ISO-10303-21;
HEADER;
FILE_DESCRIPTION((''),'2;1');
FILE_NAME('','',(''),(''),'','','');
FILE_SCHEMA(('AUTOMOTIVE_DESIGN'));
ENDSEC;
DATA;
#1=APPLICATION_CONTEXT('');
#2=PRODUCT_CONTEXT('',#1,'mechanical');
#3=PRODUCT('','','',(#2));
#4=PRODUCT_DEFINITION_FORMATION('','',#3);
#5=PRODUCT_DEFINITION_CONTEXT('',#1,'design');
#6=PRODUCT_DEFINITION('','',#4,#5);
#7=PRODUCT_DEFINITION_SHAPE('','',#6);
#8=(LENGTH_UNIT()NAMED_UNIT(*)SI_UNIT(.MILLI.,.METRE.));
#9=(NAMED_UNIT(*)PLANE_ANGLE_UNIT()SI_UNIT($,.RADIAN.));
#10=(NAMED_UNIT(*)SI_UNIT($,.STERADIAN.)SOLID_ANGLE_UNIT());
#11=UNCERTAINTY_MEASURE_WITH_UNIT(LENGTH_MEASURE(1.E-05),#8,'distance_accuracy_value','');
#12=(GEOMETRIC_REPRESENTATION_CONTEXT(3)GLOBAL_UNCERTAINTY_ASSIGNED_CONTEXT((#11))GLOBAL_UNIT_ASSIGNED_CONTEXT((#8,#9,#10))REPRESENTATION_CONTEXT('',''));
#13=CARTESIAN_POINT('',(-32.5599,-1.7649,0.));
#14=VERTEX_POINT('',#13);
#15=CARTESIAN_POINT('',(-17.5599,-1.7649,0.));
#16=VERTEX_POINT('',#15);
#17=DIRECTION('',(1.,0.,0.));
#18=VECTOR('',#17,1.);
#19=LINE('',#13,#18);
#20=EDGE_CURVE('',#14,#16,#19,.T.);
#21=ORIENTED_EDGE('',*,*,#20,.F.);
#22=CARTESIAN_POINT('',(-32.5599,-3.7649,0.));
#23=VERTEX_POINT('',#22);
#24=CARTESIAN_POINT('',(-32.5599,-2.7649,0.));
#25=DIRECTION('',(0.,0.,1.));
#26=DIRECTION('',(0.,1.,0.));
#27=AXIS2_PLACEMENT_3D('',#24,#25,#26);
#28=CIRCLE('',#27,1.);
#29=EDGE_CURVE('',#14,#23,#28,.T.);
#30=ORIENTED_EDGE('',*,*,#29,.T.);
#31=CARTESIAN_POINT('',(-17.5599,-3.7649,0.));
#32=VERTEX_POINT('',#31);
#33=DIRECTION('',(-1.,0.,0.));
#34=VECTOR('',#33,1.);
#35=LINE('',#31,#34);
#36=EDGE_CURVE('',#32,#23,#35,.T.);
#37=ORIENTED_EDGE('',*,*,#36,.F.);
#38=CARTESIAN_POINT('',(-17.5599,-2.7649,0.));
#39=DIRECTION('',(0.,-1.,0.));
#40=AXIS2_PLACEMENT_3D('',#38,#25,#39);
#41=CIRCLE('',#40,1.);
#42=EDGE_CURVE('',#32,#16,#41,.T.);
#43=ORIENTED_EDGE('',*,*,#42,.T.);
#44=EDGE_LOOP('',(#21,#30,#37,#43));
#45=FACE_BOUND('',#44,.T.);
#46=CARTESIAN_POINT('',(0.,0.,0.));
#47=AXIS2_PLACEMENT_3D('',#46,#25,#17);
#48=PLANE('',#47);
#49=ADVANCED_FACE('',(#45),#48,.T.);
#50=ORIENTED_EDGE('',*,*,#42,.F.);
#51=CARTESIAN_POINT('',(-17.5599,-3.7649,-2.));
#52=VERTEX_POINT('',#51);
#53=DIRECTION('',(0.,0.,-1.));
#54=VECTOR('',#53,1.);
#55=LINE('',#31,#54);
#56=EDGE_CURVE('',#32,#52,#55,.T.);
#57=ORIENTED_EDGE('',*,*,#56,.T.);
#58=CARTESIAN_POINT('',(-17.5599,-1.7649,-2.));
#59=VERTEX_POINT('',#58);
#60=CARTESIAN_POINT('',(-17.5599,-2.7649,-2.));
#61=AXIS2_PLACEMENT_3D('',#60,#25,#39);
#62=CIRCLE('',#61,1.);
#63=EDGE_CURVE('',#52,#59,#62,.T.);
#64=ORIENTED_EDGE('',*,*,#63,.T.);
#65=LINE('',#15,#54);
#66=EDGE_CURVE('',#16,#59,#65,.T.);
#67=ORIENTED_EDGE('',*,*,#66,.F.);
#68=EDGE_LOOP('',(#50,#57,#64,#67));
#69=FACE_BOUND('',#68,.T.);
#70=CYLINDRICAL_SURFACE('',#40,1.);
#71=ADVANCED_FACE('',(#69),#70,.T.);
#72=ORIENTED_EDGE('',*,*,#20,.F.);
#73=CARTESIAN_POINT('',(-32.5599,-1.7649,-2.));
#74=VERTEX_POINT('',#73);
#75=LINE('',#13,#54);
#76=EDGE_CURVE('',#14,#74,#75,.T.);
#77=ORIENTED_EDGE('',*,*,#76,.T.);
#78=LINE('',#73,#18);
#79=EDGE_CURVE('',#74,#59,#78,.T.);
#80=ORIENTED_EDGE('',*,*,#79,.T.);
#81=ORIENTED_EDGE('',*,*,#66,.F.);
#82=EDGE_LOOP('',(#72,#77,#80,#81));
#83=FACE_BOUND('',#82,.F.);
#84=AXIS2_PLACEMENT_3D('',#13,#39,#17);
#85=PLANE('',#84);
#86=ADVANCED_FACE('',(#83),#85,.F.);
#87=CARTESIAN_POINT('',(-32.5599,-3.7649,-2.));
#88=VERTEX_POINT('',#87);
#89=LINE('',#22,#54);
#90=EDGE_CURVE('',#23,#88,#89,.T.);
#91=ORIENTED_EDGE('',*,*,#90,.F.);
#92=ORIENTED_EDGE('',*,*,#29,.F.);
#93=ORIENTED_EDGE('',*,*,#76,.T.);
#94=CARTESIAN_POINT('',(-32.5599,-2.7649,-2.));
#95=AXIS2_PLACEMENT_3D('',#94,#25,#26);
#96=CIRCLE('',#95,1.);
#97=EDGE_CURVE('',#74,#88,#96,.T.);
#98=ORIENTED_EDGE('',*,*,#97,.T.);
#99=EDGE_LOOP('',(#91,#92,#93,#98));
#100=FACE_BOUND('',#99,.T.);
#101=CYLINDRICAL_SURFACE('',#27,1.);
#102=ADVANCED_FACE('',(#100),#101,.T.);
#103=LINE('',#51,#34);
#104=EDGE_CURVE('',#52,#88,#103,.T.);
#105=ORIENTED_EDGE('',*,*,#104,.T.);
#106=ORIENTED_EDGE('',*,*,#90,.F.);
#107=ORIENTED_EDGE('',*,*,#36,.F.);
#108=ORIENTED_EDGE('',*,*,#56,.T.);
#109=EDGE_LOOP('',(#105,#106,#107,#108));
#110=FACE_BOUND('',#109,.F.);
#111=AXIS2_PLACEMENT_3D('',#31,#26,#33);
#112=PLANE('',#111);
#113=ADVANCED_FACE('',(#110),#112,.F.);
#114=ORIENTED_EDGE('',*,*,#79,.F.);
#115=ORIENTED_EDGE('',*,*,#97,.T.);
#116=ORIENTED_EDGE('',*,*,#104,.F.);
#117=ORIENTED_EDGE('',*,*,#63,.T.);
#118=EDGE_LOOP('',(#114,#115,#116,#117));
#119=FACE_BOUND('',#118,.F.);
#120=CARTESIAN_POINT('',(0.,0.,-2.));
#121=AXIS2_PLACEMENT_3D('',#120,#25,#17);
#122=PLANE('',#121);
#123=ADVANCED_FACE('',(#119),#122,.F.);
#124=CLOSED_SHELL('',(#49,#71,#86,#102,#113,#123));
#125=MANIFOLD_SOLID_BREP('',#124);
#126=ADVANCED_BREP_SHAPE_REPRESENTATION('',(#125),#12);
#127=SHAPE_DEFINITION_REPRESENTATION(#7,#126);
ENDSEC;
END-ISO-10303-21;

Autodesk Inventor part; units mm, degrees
ref_plane "YZ Plane" through (0, 0, 0) normal (1, 0, 0) x (0, 1, 0)
ref_plane "XZ Plane" through (0, 0, 0) normal (0, 1, 0) x (-1, 0, 0)
ref_plane "XY Plane" through (0, 0, 0) normal (0, 0, 1) x (1, 0, 0)
sketch "Náčrt4" plane through (0, 0, 0) normal (0, 0, 1) x (1, 0, 0)
  line L0 (-32.5599, -1.7649) -> (-17.5599, -1.7649) construction
  line L1 (-17.5599, -3.7649) -> (-32.5599, -3.7649) construction
  line L2 (-50.5599, -1.7649) -> (-35.5599, -1.7649) construction
  line L3 (-35.5599, -3.7649) -> (-50.5599, -3.7649) construction
  line L4 (-68.5599, -1.7649) -> (-53.5599, -1.7649) construction
  line L5 (-53.5599, -3.7649) -> (-68.5599, -3.7649) construction
  line L6 (-68.5599, 11.7351) -> (-9.4199, 11.7351) construction
  arc A0 (-68.5599, 11.7351) -> (-77.8599, 2.4351) centre (-68.5599, 2.4351) ccw construction
  line L7 (-77.8599, -87.5649) -> (-77.8599, 2.4351) construction
  arc A1 (-77.8599, -87.5649) -> (-68.5599, -96.8649) centre (-68.5599, -87.5649) ccw construction
  line L8 (-6.5599, -96.8649) -> (-68.5599, -96.8649) construction
  line L9 (-6.5599, -96.8649) -> (-6.5599, -2.5649) construction
  line L10 (-6.5599, -2.5649) -> (-9.4199, 11.7351) construction
  line L11 (-69.5599, -21.7649) -> (-69.5599, -7.7649) construction
  line L12 (-68.0599, -6.2649) -> (-54.0599, -6.2649) construction
  line L13 (-52.5599, -7.7649) -> (-52.5599, -21.7649) construction
  line L14 (-54.0599, -23.2649) -> (-68.0599, -23.2649) construction
  circle A2 centre (-43.0499, 7.9351) radius 0.3 construction
  circle A3 centre (-39.5499, 4.4351) radius 0.3 construction
  circle A4 centre (-43.0499, 0.9351) radius 0.3 construction
  circle A5 centre (-46.5499, 4.4351) radius 0.3 construction
  circle A6 centre (-43.0499, 4.4351) radius 0.3 construction
  circle A7 centre (-45.5248, 6.9099) radius 0.3 construction
  circle A8 centre (-45.5248, 1.9602) radius 0.3 construction
  circle A9 centre (-40.575, 1.9602) radius 0.3 construction
  circle A10 centre (-40.575, 6.9099) radius 0.3 construction
  line L15 (-32.5599, -1.7649) -> (-17.5599, -1.7649)
  line L16 (-17.5599, -3.7649) -> (-32.5599, -3.7649)
  line L17 (-38.3583, -87.0597) -> (-38.9319, -87.8789) projected
  arc A11 (-38.9319, -87.8789) -> (-47.1879, -87.8789) centre (-43.0599, -93.7743) ccw projected
  line L18 (-47.1879, -87.8789) -> (-47.7615, -87.0597) projected
  arc A12 (-38.3583, -87.0597) -> (-47.7615, -87.0597) centre (-43.0599, -93.7743) ccw projected
  circle A13 centre (-43.0599, -93.7743) radius 0.9 projected
  line L19 (-40.5363, -89.5777) -> (-41.1099, -90.3968) projected
  arc A14 (-41.1099, -90.3968) -> (-45.0099, -90.3968) centre (-43.0599, -93.7743) ccw projected
  line L20 (-45.0099, -90.3968) -> (-45.5835, -89.5777) projected
  arc A15 (-40.5363, -89.5777) -> (-45.5835, -89.5777) centre (-43.0599, -93.7743) ccw projected
  arc A16 (-36.4655, -84.3565) -> (-49.6543, -84.3565) centre (-43.0599, -93.7743) ccw projected
  line L21 (-36.4655, -84.3565) -> (-37.0391, -85.1757) projected
  arc A17 (-37.0391, -85.1757) -> (-49.0807, -85.1757) centre (-43.0599, -93.7743) ccw projected
  line L22 (-49.0807, -85.1757) -> (-49.6543, -84.3565) projected
  line L23 (-33.5599, -75.7649) -> (-33.5599, -61.7649) projected
  arc A18 (-32.0599, -60.2649) -> (-33.5599, -61.7649) centre (-32.0599, -61.7649) ccw projected
  line L24 (-32.0599, -60.2649) -> (-18.0599, -60.2649) projected
  arc A19 (-16.5599, -61.7649) -> (-18.0599, -60.2649) centre (-18.0599, -61.7649) ccw projected
  line L25 (-16.5599, -61.7649) -> (-16.5599, -75.7649) projected
  arc A20 (-18.0599, -77.2649) -> (-16.5599, -75.7649) centre (-18.0599, -75.7649) ccw projected
  line L26 (-18.0599, -77.2649) -> (-32.0599, -77.2649) projected
  arc A21 (-33.5599, -75.7649) -> (-32.0599, -77.2649) centre (-32.0599, -75.7649) ccw projected
  line L27 (-51.5599, -75.7649) -> (-51.5599, -61.7649) projected
  arc A22 (-50.0599, -60.2649) -> (-51.5599, -61.7649) centre (-50.0599, -61.7649) ccw projected
  line L28 (-50.0599, -60.2649) -> (-36.0599, -60.2649) projected
  arc A23 (-34.5599, -61.7649) -> (-36.0599, -60.2649) centre (-36.0599, -61.7649) ccw projected
  line L29 (-34.5599, -61.7649) -> (-34.5599, -75.7649) projected
  arc A24 (-36.0599, -77.2649) -> (-34.5599, -75.7649) centre (-36.0599, -75.7649) ccw projected
  line L30 (-36.0599, -77.2649) -> (-50.0599, -77.2649) projected
  arc A25 (-51.5599, -75.7649) -> (-50.0599, -77.2649) centre (-50.0599, -75.7649) ccw projected
  line L31 (-69.5599, -75.7649) -> (-69.5599, -61.7649) projected
  arc A26 (-68.0599, -60.2649) -> (-69.5599, -61.7649) centre (-68.0599, -61.7649) ccw projected
  line L32 (-68.0599, -60.2649) -> (-54.0599, -60.2649) projected
  arc A27 (-52.5599, -61.7649) -> (-54.0599, -60.2649) centre (-54.0599, -61.7649) ccw projected
  line L33 (-52.5599, -61.7649) -> (-52.5599, -75.7649) projected
  arc A28 (-54.0599, -77.2649) -> (-52.5599, -75.7649) centre (-54.0599, -75.7649) ccw projected
  line L34 (-54.0599, -77.2649) -> (-68.0599, -77.2649) projected
  arc A29 (-69.5599, -75.7649) -> (-68.0599, -77.2649) centre (-68.0599, -75.7649) ccw projected
  line L35 (-33.5599, -57.7649) -> (-33.5599, -43.7649) projected
  arc A30 (-32.0599, -42.2649) -> (-33.5599, -43.7649) centre (-32.0599, -43.7649) ccw projected
  line L36 (-32.0599, -42.2649) -> (-18.0599, -42.2649) projected
  arc A31 (-16.5599, -43.7649) -> (-18.0599, -42.2649) centre (-18.0599, -43.7649) ccw projected
  line L37 (-16.5599, -43.7649) -> (-16.5599, -57.7649) projected
  arc A32 (-18.0599, -59.2649) -> (-16.5599, -57.7649) centre (-18.0599, -57.7649) ccw projected
  line L38 (-18.0599, -59.2649) -> (-32.0599, -59.2649) projected
  arc A33 (-33.5599, -57.7649) -> (-32.0599, -59.2649) centre (-32.0599, -57.7649) ccw projected
  line L39 (-51.5599, -57.7649) -> (-51.5599, -43.7649) projected
  arc A34 (-50.0599, -42.2649) -> (-51.5599, -43.7649) centre (-50.0599, -43.7649) ccw projected
  line L40 (-50.0599, -42.2649) -> (-36.0599, -42.2649) projected
  arc A35 (-34.5599, -43.7649) -> (-36.0599, -42.2649) centre (-36.0599, -43.7649) ccw projected
  line L41 (-34.5599, -43.7649) -> (-34.5599, -57.7649) projected
  arc A36 (-36.0599, -59.2649) -> (-34.5599, -57.7649) centre (-36.0599, -57.7649) ccw projected
  line L42 (-36.0599, -59.2649) -> (-50.0599, -59.2649) projected
  arc A37 (-51.5599, -57.7649) -> (-50.0599, -59.2649) centre (-50.0599, -57.7649) ccw projected
  line L43 (-69.5599, -57.7649) -> (-69.5599, -43.7649) projected
  arc A38 (-68.0599, -42.2649) -> (-69.5599, -43.7649) centre (-68.0599, -43.7649) ccw projected
  line L44 (-68.0599, -42.2649) -> (-54.0599, -42.2649) projected
  arc A39 (-52.5599, -43.7649) -> (-54.0599, -42.2649) centre (-54.0599, -43.7649) ccw projected
  line L45 (-52.5599, -43.7649) -> (-52.5599, -57.7649) projected
  arc A40 (-54.0599, -59.2649) -> (-52.5599, -57.7649) centre (-54.0599, -57.7649) ccw projected
  line L46 (-54.0599, -59.2649) -> (-68.0599, -59.2649) projected
  arc A41 (-69.5599, -57.7649) -> (-68.0599, -59.2649) centre (-68.0599, -57.7649) ccw projected
  line L47 (-33.5599, -39.7649) -> (-33.5599, -25.7649) projected
  arc A42 (-32.0599, -24.2649) -> (-33.5599, -25.7649) centre (-32.0599, -25.7649) ccw projected
  line L48 (-32.0599, -24.2649) -> (-18.0599, -24.2649) projected
  arc A43 (-16.5599, -25.7649) -> (-18.0599, -24.2649) centre (-18.0599, -25.7649) ccw projected
  line L49 (-16.5599, -25.7649) -> (-16.5599, -39.7649) projected
  arc A44 (-18.0599, -41.2649) -> (-16.5599, -39.7649) centre (-18.0599, -39.7649) ccw projected
  line L50 (-18.0599, -41.2649) -> (-32.0599, -41.2649) projected
  arc A45 (-33.5599, -39.7649) -> (-32.0599, -41.2649) centre (-32.0599, -39.7649) ccw projected
  line L51 (-51.5599, -39.7649) -> (-51.5599, -25.7649) projected
  arc A46 (-50.0599, -24.2649) -> (-51.5599, -25.7649) centre (-50.0599, -25.7649) ccw projected
  line L52 (-50.0599, -24.2649) -> (-36.0599, -24.2649) projected
  arc A47 (-34.5599, -25.7649) -> (-36.0599, -24.2649) centre (-36.0599, -25.7649) ccw projected
  line L53 (-34.5599, -25.7649) -> (-34.5599, -39.7649) projected
  arc A48 (-36.0599, -41.2649) -> (-34.5599, -39.7649) centre (-36.0599, -39.7649) ccw projected
  line L54 (-36.0599, -41.2649) -> (-50.0599, -41.2649) projected
  arc A49 (-51.5599, -39.7649) -> (-50.0599, -41.2649) centre (-50.0599, -39.7649) ccw projected
  line L55 (-69.5599, -39.7649) -> (-69.5599, -25.7649) projected
  arc A50 (-68.0599, -24.2649) -> (-69.5599, -25.7649) centre (-68.0599, -25.7649) ccw projected
  line L56 (-68.0599, -24.2649) -> (-54.0599, -24.2649) projected
  arc A51 (-52.5599, -25.7649) -> (-54.0599, -24.2649) centre (-54.0599, -25.7649) ccw projected
  line L57 (-52.5599, -25.7649) -> (-52.5599, -39.7649) projected
  arc A52 (-54.0599, -41.2649) -> (-52.5599, -39.7649) centre (-54.0599, -39.7649) ccw projected
  line L58 (-54.0599, -41.2649) -> (-68.0599, -41.2649) projected
  arc A53 (-69.5599, -39.7649) -> (-68.0599, -41.2649) centre (-68.0599, -39.7649) ccw projected
  line L59 (-33.5599, -21.7649) -> (-33.5599, -7.7649) projected
  arc A54 (-32.0599, -6.2649) -> (-33.5599, -7.7649) centre (-32.0599, -7.7649) ccw projected
  line L60 (-32.0599, -6.2649) -> (-18.0599, -6.2649) projected
  arc A55 (-16.5599, -7.7649) -> (-18.0599, -6.2649) centre (-18.0599, -7.7649) ccw projected
  line L61 (-16.5599, -7.7649) -> (-16.5599, -21.7649) projected
  arc A56 (-18.0599, -23.2649) -> (-16.5599, -21.7649) centre (-18.0599, -21.7649) ccw projected
  line L62 (-18.0599, -23.2649) -> (-32.0599, -23.2649) projected
  arc A57 (-33.5599, -21.7649) -> (-32.0599, -23.2649) centre (-32.0599, -21.7649) ccw projected
  line L63 (-51.5599, -21.7649) -> (-51.5599, -7.7649) projected
  arc A58 (-50.0599, -6.2649) -> (-51.5599, -7.7649) centre (-50.0599, -7.7649) ccw projected
  line L64 (-50.0599, -6.2649) -> (-36.0599, -6.2649) projected
  arc A59 (-34.5599, -7.7649) -> (-36.0599, -6.2649) centre (-36.0599, -7.7649) ccw projected
  line L65 (-34.5599, -7.7649) -> (-34.5599, -21.7649) projected
  arc A60 (-36.0599, -23.2649) -> (-34.5599, -21.7649) centre (-36.0599, -21.7649) ccw projected
  line L66 (-36.0599, -23.2649) -> (-50.0599, -23.2649) projected
  arc A61 (-51.5599, -21.7649) -> (-50.0599, -23.2649) centre (-50.0599, -21.7649) ccw projected
  arc A62 (-32.5599, -1.7649) -> (-32.5599, -3.7649) centre (-32.5599, -2.7649) ccw projected
  arc A63 (-17.5599, -3.7649) -> (-17.5599, -1.7649) centre (-17.5599, -2.7649) ccw projected
  arc A64 (-50.5599, -1.7649) -> (-50.5599, -3.7649) centre (-50.5599, -2.7649) ccw projected
  arc A65 (-35.5599, -3.7649) -> (-35.5599, -1.7649) centre (-35.5599, -2.7649) ccw projected
  arc A66 (-68.5599, -1.7649) -> (-68.5599, -3.7649) centre (-68.5599, -2.7649) ccw projected
  arc A67 (-53.5599, -3.7649) -> (-53.5599, -1.7649) centre (-53.5599, -2.7649) ccw projected
  arc A68 (-68.0599, -6.2649) -> (-69.5599, -7.7649) centre (-68.0599, -7.7649) ccw projected
  arc A69 (-52.5599, -7.7649) -> (-54.0599, -6.2649) centre (-54.0599, -7.7649) ccw projected
  arc A70 (-54.0599, -23.2649) -> (-52.5599, -21.7649) centre (-54.0599, -21.7649) ccw projected
  arc A71 (-69.5599, -21.7649) -> (-68.0599, -23.2649) centre (-68.0599, -21.7649) ccw projected
  point P0 (0, 0)
  point P1 (-16.5599, -2.7649)
extrude "Vysunutí1" add sketch "Náčrt4" against normal blind 2 contours L15 A63 L16 A62
properties part number "LED red" material "ABS plast"
